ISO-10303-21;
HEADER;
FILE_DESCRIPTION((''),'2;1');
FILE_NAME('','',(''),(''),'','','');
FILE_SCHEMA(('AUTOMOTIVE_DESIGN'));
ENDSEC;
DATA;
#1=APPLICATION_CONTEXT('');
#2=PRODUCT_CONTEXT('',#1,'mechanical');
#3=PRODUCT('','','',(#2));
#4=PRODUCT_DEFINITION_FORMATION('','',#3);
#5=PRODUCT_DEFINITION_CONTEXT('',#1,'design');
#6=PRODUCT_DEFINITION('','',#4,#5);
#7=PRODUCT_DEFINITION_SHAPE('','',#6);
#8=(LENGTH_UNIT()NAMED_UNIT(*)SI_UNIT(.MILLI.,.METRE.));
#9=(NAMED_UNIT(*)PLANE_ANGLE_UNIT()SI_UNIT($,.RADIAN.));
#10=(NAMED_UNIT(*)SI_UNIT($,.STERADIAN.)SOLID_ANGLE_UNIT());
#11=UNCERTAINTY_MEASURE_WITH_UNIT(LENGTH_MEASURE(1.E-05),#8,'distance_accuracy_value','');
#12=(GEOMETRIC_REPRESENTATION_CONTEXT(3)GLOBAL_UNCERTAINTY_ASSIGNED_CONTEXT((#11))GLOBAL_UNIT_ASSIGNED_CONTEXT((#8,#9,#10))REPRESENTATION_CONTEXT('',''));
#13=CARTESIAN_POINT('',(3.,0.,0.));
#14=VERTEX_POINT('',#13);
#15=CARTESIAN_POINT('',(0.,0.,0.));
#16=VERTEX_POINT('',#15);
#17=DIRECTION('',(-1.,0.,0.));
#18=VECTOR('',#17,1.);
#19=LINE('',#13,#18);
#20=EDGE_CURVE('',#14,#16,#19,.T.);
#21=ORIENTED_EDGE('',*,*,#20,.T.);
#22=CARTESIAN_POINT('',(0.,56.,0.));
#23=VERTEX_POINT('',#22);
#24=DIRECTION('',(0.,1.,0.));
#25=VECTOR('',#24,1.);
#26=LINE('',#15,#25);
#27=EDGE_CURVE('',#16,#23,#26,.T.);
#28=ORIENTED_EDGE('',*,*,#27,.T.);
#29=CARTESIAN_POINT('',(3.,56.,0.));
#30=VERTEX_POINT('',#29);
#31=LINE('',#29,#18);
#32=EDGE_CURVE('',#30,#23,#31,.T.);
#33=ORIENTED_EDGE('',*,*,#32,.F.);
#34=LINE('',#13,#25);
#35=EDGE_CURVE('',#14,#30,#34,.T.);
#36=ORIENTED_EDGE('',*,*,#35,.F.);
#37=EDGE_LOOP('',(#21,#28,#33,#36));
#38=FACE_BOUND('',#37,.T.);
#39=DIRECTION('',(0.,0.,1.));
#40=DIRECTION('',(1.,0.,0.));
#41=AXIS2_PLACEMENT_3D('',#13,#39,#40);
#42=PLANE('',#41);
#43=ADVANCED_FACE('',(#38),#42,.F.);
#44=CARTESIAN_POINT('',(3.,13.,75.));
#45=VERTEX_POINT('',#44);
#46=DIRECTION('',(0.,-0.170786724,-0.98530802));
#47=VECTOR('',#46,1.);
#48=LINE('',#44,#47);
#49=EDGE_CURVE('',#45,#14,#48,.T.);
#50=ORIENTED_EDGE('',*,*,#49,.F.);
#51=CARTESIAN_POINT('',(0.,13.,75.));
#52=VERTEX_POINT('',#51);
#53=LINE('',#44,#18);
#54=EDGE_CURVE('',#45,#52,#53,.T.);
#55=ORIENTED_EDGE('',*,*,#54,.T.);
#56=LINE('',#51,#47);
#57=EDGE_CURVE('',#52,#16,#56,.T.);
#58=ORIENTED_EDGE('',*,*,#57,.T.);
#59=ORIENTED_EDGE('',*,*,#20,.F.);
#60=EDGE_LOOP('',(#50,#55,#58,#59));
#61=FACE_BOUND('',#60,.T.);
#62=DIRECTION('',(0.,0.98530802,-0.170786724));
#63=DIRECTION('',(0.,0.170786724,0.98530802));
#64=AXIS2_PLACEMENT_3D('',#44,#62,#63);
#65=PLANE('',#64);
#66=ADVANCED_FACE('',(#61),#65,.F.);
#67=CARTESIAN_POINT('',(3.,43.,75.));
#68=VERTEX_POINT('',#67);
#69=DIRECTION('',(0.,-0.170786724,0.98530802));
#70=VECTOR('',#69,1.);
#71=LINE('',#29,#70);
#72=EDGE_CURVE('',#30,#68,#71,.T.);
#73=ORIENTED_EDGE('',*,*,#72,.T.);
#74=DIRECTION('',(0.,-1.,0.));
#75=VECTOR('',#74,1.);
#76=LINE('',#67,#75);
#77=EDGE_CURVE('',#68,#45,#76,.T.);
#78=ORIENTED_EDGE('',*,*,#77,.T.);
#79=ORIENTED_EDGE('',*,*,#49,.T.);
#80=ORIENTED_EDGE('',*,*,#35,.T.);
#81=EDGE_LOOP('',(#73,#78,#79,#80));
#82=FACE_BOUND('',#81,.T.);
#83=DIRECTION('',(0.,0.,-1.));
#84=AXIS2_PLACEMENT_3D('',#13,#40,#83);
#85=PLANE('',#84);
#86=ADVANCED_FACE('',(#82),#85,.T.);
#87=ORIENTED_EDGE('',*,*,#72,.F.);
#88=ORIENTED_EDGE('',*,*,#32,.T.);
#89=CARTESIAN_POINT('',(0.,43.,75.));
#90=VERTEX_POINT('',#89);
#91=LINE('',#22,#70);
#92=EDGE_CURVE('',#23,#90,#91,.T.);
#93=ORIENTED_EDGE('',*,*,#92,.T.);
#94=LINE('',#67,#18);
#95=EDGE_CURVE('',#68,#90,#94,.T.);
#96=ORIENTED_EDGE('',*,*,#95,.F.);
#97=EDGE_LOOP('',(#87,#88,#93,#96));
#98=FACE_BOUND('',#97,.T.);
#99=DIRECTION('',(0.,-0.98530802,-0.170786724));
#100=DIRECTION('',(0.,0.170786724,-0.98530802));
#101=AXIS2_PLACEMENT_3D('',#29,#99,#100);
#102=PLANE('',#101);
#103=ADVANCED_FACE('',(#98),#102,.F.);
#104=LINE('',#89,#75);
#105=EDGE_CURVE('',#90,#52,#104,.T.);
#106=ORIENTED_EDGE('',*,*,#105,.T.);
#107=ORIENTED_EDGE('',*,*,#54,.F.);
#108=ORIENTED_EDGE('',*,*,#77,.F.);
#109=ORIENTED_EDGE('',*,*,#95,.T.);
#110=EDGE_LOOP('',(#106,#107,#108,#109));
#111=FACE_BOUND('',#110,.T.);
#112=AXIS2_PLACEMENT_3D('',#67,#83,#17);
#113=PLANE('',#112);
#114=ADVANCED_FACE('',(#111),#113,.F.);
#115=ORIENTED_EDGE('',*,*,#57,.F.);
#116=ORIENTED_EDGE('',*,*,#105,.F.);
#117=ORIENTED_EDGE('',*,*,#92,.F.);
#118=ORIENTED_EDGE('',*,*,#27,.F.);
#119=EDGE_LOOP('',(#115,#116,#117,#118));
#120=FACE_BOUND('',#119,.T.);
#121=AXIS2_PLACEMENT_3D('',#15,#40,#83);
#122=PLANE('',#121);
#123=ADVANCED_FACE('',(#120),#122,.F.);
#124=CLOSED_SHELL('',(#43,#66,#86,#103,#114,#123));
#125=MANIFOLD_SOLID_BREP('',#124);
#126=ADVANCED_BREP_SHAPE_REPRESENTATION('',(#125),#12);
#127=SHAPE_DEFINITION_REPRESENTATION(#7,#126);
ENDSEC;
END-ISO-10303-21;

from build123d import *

# Parameters (mm, degrees)
BOSS_EXTRUDE1_DEPTH = 3


with BuildPart() as part:
    # Sketch1 → Boss-Extrude1 (new body)
    with BuildSketch(Plane.YZ):
        Polygon((0, 0), (56, 0), (43, 75), (13, 75), align=None)
    extrude(amount=BOSS_EXTRUDE1_DEPTH)


solid = part.part
